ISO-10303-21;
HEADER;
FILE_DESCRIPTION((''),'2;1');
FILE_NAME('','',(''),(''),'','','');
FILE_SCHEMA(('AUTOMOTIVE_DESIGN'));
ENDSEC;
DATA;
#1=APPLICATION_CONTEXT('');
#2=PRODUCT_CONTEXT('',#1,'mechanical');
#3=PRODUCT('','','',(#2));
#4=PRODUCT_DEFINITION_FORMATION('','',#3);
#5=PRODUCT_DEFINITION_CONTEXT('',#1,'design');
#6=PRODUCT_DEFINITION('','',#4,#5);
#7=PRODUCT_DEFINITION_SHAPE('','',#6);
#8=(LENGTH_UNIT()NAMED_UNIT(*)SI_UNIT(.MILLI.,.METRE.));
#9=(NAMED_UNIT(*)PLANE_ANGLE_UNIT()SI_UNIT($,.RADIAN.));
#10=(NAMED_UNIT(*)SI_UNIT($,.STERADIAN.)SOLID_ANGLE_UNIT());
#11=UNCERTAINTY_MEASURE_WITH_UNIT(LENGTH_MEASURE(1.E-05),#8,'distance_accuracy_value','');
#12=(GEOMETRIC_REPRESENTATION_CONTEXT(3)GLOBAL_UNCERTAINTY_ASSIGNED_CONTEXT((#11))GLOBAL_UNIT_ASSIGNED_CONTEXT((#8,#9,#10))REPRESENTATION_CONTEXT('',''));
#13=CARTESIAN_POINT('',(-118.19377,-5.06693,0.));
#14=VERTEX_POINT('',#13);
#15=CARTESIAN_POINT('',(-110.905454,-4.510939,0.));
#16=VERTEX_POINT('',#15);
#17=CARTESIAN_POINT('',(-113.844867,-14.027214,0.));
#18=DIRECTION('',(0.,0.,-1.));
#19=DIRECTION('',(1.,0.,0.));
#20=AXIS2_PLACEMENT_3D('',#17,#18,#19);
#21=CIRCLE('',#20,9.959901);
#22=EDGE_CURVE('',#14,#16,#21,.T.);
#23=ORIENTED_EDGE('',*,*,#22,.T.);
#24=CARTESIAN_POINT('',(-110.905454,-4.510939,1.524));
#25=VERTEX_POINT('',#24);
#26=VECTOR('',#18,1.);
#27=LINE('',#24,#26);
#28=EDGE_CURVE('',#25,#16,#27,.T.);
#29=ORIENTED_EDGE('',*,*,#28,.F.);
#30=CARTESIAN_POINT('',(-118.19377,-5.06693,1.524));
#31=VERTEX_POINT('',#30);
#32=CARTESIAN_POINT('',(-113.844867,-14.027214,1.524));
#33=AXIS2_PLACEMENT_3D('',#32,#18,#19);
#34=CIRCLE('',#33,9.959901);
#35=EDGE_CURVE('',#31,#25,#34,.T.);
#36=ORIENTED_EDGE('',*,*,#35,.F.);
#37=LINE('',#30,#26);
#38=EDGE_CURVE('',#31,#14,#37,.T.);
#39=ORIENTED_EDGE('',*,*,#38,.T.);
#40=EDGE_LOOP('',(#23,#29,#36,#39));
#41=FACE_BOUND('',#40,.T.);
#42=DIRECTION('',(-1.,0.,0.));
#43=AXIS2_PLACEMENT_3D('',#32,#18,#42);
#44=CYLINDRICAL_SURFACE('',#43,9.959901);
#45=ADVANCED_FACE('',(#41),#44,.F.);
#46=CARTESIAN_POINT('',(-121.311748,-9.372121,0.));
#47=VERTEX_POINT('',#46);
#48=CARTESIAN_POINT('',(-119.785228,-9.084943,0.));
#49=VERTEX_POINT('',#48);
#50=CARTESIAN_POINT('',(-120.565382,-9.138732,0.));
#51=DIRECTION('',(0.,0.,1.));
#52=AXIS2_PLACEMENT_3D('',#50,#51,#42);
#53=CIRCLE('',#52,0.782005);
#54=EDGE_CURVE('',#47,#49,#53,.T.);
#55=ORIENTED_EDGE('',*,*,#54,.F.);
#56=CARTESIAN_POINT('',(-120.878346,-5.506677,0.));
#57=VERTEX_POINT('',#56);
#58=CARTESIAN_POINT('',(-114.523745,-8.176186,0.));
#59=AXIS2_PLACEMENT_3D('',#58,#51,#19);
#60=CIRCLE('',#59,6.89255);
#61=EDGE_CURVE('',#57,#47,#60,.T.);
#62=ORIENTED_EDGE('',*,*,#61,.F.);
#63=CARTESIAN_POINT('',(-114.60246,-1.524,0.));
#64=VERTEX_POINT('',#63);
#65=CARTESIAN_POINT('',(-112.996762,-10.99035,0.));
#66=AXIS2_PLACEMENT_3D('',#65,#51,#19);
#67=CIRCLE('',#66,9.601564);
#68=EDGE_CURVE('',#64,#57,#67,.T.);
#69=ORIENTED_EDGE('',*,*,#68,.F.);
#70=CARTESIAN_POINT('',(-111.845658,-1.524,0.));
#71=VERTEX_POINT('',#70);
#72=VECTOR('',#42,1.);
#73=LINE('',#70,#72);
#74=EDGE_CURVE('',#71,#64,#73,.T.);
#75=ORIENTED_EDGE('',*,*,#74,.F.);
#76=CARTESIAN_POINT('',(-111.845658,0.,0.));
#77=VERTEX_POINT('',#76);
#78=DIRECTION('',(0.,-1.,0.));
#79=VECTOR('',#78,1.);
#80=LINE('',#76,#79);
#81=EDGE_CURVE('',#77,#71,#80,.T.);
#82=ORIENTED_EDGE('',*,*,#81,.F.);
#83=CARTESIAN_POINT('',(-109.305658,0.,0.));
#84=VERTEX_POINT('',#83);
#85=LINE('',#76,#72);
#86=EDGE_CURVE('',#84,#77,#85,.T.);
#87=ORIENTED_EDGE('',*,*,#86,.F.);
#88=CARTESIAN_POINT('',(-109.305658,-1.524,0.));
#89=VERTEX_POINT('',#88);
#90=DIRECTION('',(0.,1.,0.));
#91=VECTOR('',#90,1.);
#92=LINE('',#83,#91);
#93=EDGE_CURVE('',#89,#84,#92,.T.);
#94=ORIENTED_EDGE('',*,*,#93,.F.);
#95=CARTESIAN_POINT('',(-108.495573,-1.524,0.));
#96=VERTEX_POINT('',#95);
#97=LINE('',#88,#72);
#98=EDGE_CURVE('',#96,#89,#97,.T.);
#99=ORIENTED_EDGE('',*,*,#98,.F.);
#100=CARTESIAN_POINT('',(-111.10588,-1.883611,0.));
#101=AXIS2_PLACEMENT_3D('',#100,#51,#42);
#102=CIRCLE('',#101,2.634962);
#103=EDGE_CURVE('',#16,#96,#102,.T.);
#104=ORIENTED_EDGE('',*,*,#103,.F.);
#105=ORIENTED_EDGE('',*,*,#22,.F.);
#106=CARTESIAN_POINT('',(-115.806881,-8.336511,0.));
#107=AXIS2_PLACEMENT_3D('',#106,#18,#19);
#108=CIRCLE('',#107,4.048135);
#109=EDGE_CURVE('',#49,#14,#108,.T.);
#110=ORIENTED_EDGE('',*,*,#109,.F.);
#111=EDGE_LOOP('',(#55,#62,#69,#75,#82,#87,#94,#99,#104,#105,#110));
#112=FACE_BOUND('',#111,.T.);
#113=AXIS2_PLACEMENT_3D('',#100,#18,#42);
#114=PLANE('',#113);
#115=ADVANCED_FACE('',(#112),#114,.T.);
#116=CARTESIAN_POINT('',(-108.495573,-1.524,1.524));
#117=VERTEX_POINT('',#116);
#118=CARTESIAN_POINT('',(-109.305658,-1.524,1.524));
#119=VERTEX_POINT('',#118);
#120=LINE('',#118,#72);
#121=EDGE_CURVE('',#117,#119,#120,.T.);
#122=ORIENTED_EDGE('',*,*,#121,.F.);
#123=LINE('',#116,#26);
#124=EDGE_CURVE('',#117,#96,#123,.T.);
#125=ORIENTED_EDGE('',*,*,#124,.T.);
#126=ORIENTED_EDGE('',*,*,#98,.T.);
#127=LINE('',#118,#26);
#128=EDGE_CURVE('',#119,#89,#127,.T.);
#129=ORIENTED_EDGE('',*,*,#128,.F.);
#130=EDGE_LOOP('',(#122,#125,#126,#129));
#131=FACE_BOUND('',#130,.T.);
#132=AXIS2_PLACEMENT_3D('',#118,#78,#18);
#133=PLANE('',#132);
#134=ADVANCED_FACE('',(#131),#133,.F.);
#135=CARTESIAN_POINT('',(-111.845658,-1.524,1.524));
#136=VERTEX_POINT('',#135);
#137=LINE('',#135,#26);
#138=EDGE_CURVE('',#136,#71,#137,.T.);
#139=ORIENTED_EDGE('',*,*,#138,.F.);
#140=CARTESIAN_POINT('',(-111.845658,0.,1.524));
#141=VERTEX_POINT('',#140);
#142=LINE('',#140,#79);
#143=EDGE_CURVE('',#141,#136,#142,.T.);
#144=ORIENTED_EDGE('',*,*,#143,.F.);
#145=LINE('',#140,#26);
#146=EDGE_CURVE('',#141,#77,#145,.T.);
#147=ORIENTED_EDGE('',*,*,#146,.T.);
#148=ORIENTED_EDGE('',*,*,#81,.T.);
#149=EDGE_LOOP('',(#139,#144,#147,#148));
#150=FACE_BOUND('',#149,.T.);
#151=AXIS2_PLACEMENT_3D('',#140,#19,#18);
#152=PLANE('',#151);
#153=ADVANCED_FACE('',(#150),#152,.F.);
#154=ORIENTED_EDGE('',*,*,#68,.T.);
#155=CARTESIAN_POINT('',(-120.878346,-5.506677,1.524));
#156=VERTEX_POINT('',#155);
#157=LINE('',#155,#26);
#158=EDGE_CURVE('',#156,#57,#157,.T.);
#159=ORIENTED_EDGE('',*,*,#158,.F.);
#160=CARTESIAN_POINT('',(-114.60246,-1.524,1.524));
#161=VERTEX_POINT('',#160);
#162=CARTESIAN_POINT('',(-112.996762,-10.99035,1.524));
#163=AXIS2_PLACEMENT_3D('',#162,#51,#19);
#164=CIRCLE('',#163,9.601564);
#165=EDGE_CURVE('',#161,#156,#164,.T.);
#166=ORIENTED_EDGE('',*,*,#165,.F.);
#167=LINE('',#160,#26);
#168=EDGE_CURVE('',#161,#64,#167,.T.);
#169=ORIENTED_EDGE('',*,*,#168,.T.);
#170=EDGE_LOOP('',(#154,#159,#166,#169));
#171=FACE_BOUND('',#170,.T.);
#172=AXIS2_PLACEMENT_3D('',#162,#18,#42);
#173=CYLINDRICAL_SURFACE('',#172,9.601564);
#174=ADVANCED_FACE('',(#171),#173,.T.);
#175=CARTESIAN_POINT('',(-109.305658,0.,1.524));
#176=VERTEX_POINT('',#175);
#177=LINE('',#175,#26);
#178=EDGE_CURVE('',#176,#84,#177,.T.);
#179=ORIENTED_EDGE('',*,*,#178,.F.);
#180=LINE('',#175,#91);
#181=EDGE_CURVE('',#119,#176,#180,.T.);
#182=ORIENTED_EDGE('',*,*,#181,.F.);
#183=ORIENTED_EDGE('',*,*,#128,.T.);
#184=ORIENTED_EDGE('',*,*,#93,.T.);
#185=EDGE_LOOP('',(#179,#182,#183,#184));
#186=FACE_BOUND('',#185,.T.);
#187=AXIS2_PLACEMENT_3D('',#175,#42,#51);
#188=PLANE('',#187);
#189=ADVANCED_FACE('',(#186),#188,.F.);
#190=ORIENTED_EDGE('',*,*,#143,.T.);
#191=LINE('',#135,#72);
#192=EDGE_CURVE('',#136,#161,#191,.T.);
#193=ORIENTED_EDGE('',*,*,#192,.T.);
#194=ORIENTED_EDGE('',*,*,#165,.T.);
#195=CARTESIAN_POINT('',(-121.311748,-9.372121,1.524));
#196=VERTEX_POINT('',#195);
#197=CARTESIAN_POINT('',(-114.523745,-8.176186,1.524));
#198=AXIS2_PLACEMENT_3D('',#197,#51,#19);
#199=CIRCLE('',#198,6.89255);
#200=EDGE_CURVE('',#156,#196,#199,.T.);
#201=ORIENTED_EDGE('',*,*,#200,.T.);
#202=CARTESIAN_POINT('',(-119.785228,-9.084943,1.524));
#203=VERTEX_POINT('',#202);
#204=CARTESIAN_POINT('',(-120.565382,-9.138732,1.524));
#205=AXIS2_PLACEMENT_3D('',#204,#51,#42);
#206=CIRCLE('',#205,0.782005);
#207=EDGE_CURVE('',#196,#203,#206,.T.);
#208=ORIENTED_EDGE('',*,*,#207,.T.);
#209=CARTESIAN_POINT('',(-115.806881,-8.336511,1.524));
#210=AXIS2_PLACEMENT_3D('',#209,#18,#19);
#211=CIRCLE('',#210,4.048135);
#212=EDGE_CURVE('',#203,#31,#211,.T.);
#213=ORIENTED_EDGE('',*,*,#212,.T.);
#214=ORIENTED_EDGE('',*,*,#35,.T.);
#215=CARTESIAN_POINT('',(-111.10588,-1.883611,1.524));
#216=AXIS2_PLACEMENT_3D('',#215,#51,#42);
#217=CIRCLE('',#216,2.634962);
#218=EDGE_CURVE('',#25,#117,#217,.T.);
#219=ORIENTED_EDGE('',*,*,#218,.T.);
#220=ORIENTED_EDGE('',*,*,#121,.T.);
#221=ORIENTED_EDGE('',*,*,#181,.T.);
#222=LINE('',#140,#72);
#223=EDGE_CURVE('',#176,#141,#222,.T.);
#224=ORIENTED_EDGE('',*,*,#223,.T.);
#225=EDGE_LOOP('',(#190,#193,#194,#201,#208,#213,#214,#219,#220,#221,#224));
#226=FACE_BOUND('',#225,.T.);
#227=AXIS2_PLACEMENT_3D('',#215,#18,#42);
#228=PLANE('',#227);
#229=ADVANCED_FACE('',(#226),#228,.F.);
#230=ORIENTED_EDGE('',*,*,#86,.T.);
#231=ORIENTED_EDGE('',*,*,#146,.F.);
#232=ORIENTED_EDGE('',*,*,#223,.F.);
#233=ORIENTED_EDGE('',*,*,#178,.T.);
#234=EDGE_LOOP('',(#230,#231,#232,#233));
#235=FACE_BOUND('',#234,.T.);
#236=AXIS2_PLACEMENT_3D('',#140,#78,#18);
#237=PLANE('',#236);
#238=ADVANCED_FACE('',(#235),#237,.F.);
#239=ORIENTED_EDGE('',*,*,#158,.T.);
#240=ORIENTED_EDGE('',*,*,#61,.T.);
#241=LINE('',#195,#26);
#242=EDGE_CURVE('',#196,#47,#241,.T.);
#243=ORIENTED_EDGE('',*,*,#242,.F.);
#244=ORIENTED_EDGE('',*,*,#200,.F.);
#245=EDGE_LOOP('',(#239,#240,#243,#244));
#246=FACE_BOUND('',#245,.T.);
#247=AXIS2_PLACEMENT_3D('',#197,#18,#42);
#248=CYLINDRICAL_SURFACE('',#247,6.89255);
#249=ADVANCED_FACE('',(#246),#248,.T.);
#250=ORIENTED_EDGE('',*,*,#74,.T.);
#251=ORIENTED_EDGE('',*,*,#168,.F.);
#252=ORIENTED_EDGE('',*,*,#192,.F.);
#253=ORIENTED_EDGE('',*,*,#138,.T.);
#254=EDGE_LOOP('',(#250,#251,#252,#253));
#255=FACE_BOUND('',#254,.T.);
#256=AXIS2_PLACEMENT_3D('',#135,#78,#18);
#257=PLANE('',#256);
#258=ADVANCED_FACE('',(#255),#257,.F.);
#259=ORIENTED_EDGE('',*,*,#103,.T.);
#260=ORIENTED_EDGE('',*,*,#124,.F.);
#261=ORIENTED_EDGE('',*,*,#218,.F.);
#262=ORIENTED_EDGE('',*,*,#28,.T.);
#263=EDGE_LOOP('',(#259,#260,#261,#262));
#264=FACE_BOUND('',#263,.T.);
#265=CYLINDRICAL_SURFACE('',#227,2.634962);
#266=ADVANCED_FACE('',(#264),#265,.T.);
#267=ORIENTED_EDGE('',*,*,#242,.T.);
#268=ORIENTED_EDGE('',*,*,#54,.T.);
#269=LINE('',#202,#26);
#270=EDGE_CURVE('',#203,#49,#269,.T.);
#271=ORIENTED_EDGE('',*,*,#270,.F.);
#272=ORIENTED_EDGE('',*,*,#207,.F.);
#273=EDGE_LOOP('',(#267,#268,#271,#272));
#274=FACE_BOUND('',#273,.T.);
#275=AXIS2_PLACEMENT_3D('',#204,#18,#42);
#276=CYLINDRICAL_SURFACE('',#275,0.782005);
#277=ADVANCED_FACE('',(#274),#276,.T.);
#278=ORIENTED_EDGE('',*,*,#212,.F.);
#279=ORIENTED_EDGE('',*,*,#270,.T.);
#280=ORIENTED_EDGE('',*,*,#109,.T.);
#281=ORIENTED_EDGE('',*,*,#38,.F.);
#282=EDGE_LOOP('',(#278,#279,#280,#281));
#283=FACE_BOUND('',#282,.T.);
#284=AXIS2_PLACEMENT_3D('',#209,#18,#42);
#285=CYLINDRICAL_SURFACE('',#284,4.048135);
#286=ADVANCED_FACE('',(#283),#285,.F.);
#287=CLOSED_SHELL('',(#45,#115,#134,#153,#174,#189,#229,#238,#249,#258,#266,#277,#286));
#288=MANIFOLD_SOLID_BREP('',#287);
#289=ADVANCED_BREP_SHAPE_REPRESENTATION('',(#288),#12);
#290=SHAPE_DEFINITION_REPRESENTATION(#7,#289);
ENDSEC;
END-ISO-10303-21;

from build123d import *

# Parameters (mm, degrees)
BOSS_EXTRUDE1_DEPTH = 1.524


with BuildPart() as part:
    # Sketch1 → Boss-Extrude1 (new body)
    with BuildSketch(Plane.XY):
        with BuildLine():
            Line((-111.845658384, 0), (-111.845658384, -1.524))
            Line((-111.845658384, -1.524), (-114.602460127, -1.524))
            ThreePointArc((-114.602460127, -1.524), (-118.141425353, -2.883409348), (-120.878346422, -5.506676721))
            ThreePointArc((-120.878346422, -5.506676721), (-121.373374596, -7.40819224), (-121.311747708, -9.372121029))
            ThreePointArc((-121.311747708, -9.372121029), (-120.420802234, -9.907256069), (-119.785228435, -9.084942689))
            ThreePointArc((-119.785228435, -9.084942689), (-119.570544838, -6.84579555), (-118.193770427, -5.066930411))
            ThreePointArc((-118.193770427, -5.066930411), (-114.602460127, -4.096166999), (-110.905453841, -4.510938975))
            ThreePointArc((-110.905453841, -4.510938975), (-109.055147034, -3.538155103), (-108.49557312, -1.524))
            Line((-108.49557312, -1.524), (-109.305658384, -1.524))
            Line((-109.305658384, -1.524), (-109.305658384, 0))
            Line((-109.305658384, 0), (-111.845658384, 0))
        make_face()
    extrude(amount=BOSS_EXTRUDE1_DEPTH)


solid = part.part
